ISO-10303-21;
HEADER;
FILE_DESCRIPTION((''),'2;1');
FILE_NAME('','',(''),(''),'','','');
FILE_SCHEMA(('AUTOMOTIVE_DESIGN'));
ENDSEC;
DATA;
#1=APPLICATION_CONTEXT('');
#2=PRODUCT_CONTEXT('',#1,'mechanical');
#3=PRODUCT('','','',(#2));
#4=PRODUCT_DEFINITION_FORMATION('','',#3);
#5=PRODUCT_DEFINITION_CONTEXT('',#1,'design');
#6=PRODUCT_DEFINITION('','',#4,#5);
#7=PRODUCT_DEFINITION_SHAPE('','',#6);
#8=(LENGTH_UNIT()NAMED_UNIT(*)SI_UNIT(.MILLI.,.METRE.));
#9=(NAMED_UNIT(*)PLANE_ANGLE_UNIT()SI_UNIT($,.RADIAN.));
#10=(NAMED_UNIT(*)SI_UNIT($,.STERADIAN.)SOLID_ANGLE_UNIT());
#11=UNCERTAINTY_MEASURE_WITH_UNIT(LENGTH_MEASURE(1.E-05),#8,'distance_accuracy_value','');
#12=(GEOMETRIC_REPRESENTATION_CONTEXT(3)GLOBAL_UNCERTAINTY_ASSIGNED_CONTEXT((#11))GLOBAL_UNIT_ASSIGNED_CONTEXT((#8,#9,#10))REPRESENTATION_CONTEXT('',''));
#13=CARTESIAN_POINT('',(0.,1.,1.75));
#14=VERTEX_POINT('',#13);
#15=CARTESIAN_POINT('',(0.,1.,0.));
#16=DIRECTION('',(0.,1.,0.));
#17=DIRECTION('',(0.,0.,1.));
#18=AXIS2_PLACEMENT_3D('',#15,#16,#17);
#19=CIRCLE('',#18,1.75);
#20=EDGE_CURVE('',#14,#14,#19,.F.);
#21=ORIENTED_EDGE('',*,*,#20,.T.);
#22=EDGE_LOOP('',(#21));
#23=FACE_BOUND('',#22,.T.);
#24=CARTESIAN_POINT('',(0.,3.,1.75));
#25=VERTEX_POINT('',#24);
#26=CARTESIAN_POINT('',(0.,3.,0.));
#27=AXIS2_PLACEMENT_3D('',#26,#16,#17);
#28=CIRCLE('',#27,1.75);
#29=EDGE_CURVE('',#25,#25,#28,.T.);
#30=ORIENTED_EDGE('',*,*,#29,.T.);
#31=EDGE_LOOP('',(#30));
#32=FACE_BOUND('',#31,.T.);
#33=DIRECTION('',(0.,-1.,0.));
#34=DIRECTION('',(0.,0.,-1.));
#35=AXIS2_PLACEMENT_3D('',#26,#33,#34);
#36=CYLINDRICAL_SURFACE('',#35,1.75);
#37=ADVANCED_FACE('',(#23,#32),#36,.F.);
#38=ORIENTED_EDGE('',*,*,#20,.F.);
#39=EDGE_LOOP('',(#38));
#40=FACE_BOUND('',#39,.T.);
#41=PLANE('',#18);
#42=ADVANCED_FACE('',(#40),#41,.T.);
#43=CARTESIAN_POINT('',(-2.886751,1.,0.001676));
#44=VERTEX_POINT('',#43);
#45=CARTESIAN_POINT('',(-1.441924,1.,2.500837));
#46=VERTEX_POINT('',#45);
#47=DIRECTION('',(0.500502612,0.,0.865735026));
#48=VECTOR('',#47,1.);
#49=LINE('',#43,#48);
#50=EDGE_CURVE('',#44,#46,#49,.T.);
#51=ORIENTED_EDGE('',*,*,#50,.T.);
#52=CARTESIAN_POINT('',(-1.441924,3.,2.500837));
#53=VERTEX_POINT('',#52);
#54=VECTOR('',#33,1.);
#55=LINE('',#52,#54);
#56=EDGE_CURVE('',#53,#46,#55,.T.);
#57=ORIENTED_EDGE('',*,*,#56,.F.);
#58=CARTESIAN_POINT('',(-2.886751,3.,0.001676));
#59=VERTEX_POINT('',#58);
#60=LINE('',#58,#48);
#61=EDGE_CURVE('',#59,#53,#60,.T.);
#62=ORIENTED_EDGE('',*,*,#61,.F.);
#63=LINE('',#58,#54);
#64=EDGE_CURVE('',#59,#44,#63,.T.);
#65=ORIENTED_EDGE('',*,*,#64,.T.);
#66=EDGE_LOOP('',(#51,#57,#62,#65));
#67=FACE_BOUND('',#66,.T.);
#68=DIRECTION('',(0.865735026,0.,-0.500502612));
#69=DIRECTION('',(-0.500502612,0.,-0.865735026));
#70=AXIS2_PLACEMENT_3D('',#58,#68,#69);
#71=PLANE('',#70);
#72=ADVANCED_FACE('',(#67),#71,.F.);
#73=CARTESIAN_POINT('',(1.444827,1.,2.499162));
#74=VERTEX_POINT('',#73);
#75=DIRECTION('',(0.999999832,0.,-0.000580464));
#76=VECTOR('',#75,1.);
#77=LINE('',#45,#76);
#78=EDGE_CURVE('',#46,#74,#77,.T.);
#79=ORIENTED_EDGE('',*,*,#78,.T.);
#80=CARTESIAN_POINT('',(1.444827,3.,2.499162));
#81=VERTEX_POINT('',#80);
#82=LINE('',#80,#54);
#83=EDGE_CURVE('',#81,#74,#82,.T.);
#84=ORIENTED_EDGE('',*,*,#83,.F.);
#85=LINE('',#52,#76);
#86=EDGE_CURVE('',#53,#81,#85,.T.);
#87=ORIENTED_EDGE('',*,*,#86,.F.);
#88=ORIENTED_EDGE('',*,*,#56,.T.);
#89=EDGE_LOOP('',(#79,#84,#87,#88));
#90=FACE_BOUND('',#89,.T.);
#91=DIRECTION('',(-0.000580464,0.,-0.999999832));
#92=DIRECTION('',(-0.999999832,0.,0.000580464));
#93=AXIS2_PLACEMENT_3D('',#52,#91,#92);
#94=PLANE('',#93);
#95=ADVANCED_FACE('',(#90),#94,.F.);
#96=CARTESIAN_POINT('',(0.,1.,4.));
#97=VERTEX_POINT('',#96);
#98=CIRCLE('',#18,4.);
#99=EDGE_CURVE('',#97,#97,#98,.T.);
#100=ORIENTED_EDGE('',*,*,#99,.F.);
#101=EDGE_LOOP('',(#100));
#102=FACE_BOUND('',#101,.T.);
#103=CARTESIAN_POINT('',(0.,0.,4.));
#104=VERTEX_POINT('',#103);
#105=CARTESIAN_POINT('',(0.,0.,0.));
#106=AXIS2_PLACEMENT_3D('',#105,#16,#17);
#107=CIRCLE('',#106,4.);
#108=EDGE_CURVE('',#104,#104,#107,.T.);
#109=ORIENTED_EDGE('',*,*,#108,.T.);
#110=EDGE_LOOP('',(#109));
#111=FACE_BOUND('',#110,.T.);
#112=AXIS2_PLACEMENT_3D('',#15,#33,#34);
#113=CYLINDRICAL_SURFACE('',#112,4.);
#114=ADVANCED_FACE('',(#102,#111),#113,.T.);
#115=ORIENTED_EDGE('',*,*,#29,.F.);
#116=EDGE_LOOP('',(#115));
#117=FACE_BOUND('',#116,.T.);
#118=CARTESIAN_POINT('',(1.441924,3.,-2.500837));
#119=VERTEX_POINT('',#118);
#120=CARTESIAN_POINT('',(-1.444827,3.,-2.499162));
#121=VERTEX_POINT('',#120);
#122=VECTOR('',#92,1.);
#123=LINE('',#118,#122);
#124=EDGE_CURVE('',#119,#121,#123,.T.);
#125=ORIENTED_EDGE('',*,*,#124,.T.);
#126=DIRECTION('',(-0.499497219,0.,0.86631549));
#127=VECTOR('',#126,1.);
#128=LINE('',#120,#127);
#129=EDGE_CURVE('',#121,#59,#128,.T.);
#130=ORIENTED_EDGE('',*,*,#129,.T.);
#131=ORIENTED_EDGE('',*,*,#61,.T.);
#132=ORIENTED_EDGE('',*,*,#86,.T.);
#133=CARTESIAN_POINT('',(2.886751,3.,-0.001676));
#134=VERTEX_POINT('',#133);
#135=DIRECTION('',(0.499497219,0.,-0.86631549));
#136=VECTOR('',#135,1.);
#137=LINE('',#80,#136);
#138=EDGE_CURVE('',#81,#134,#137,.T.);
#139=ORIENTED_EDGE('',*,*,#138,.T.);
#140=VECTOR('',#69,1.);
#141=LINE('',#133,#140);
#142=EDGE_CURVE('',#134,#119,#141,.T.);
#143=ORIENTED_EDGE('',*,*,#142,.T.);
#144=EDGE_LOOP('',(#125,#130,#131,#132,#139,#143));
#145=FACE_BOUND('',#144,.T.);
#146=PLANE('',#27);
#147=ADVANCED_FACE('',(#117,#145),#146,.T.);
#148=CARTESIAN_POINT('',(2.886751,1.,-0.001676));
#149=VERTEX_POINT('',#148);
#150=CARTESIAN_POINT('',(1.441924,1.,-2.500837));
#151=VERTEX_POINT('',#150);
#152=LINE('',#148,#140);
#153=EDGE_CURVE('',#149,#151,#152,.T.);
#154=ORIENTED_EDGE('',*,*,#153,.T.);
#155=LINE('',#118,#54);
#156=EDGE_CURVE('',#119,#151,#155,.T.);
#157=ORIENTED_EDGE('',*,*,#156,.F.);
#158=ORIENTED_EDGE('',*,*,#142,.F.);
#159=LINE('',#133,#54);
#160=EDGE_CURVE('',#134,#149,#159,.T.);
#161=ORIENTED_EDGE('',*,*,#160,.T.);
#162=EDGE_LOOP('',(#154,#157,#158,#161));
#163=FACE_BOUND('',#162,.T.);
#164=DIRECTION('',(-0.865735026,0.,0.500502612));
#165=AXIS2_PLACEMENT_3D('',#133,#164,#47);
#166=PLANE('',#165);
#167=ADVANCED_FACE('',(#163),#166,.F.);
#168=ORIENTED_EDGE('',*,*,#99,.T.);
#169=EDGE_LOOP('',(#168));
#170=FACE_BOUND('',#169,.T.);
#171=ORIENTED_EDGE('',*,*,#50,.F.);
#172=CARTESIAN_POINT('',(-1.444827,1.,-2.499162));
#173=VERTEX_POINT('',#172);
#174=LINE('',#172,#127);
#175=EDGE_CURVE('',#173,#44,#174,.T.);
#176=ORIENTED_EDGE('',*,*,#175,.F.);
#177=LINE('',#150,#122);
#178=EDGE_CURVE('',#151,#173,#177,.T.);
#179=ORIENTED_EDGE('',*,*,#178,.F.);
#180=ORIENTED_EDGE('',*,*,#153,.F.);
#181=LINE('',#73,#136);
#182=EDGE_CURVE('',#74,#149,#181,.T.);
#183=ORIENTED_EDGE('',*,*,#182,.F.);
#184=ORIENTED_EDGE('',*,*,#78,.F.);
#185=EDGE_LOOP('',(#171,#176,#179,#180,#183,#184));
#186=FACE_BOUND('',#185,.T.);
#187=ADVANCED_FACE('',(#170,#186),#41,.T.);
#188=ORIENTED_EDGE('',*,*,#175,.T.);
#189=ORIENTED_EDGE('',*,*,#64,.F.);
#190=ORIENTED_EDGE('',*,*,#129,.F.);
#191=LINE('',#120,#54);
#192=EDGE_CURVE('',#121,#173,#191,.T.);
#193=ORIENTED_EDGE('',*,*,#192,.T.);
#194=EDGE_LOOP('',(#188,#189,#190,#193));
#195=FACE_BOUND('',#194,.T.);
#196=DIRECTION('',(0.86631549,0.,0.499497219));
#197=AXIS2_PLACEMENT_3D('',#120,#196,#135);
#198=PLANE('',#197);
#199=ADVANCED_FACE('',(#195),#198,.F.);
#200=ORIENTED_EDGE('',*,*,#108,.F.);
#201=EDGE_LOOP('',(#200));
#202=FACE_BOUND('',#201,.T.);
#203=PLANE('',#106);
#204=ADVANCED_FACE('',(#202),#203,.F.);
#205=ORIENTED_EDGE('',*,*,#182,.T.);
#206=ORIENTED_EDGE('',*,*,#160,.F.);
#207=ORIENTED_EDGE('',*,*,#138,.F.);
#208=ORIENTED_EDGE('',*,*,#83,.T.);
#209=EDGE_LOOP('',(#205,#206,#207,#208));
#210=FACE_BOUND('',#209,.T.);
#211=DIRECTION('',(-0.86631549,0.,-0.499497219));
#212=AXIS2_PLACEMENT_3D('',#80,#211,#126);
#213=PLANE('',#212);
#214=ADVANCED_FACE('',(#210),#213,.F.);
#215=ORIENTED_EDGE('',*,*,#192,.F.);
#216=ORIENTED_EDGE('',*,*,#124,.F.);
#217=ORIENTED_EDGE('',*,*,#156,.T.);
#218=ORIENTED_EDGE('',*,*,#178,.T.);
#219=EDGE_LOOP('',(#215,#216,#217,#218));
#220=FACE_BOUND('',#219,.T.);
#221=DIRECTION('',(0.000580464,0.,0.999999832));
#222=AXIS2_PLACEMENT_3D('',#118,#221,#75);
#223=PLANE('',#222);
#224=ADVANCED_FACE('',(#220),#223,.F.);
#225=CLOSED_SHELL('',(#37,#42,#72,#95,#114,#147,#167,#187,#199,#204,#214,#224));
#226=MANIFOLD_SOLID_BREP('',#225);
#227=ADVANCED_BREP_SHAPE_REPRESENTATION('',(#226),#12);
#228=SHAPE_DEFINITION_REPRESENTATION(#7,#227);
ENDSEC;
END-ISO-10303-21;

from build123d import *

# Parameters (mm, degrees)
CROQUIS1_R              = 4
SALIENTE_EXTRUIR2_DEPTH = 1
CROQUIS2_R              = 1.75
SALIENTE_EXTRUIR3_DEPTH = 2


with BuildPart() as part:
    # Croquis1 → Saliente-Extruir2 (new body)
    with BuildSketch(Plane(origin=(0, 0, 0), x_dir=(1, 0, 0), z_dir=(0, 1, 0))):
        with Locations(Location((0, 0, 0), (0, 0, 270))):
            Circle(CROQUIS1_R)
    extrude(amount=SALIENTE_EXTRUIR2_DEPTH)

    # Croquis2 → Saliente-Extruir3 (add)
    with BuildSketch(Plane(origin=(0, 1, 0), x_dir=(1, 0, 0), z_dir=(0, 1, 0))):
        Polygon((1.44192427, 2.500837406), (-1.444826589, 2.499161751), (-2.88675086, -0.001675655), (-1.44192427, -2.500837406), (1.444826589, -2.499161751), (2.88675086, 0.001675655), align=None)
        with Locations(Location((0, 0, 0), (0, 0, 270))):
            Circle(CROQUIS2_R, mode=Mode.SUBTRACT)
    extrude(amount=SALIENTE_EXTRUIR3_DEPTH)


solid = part.part
